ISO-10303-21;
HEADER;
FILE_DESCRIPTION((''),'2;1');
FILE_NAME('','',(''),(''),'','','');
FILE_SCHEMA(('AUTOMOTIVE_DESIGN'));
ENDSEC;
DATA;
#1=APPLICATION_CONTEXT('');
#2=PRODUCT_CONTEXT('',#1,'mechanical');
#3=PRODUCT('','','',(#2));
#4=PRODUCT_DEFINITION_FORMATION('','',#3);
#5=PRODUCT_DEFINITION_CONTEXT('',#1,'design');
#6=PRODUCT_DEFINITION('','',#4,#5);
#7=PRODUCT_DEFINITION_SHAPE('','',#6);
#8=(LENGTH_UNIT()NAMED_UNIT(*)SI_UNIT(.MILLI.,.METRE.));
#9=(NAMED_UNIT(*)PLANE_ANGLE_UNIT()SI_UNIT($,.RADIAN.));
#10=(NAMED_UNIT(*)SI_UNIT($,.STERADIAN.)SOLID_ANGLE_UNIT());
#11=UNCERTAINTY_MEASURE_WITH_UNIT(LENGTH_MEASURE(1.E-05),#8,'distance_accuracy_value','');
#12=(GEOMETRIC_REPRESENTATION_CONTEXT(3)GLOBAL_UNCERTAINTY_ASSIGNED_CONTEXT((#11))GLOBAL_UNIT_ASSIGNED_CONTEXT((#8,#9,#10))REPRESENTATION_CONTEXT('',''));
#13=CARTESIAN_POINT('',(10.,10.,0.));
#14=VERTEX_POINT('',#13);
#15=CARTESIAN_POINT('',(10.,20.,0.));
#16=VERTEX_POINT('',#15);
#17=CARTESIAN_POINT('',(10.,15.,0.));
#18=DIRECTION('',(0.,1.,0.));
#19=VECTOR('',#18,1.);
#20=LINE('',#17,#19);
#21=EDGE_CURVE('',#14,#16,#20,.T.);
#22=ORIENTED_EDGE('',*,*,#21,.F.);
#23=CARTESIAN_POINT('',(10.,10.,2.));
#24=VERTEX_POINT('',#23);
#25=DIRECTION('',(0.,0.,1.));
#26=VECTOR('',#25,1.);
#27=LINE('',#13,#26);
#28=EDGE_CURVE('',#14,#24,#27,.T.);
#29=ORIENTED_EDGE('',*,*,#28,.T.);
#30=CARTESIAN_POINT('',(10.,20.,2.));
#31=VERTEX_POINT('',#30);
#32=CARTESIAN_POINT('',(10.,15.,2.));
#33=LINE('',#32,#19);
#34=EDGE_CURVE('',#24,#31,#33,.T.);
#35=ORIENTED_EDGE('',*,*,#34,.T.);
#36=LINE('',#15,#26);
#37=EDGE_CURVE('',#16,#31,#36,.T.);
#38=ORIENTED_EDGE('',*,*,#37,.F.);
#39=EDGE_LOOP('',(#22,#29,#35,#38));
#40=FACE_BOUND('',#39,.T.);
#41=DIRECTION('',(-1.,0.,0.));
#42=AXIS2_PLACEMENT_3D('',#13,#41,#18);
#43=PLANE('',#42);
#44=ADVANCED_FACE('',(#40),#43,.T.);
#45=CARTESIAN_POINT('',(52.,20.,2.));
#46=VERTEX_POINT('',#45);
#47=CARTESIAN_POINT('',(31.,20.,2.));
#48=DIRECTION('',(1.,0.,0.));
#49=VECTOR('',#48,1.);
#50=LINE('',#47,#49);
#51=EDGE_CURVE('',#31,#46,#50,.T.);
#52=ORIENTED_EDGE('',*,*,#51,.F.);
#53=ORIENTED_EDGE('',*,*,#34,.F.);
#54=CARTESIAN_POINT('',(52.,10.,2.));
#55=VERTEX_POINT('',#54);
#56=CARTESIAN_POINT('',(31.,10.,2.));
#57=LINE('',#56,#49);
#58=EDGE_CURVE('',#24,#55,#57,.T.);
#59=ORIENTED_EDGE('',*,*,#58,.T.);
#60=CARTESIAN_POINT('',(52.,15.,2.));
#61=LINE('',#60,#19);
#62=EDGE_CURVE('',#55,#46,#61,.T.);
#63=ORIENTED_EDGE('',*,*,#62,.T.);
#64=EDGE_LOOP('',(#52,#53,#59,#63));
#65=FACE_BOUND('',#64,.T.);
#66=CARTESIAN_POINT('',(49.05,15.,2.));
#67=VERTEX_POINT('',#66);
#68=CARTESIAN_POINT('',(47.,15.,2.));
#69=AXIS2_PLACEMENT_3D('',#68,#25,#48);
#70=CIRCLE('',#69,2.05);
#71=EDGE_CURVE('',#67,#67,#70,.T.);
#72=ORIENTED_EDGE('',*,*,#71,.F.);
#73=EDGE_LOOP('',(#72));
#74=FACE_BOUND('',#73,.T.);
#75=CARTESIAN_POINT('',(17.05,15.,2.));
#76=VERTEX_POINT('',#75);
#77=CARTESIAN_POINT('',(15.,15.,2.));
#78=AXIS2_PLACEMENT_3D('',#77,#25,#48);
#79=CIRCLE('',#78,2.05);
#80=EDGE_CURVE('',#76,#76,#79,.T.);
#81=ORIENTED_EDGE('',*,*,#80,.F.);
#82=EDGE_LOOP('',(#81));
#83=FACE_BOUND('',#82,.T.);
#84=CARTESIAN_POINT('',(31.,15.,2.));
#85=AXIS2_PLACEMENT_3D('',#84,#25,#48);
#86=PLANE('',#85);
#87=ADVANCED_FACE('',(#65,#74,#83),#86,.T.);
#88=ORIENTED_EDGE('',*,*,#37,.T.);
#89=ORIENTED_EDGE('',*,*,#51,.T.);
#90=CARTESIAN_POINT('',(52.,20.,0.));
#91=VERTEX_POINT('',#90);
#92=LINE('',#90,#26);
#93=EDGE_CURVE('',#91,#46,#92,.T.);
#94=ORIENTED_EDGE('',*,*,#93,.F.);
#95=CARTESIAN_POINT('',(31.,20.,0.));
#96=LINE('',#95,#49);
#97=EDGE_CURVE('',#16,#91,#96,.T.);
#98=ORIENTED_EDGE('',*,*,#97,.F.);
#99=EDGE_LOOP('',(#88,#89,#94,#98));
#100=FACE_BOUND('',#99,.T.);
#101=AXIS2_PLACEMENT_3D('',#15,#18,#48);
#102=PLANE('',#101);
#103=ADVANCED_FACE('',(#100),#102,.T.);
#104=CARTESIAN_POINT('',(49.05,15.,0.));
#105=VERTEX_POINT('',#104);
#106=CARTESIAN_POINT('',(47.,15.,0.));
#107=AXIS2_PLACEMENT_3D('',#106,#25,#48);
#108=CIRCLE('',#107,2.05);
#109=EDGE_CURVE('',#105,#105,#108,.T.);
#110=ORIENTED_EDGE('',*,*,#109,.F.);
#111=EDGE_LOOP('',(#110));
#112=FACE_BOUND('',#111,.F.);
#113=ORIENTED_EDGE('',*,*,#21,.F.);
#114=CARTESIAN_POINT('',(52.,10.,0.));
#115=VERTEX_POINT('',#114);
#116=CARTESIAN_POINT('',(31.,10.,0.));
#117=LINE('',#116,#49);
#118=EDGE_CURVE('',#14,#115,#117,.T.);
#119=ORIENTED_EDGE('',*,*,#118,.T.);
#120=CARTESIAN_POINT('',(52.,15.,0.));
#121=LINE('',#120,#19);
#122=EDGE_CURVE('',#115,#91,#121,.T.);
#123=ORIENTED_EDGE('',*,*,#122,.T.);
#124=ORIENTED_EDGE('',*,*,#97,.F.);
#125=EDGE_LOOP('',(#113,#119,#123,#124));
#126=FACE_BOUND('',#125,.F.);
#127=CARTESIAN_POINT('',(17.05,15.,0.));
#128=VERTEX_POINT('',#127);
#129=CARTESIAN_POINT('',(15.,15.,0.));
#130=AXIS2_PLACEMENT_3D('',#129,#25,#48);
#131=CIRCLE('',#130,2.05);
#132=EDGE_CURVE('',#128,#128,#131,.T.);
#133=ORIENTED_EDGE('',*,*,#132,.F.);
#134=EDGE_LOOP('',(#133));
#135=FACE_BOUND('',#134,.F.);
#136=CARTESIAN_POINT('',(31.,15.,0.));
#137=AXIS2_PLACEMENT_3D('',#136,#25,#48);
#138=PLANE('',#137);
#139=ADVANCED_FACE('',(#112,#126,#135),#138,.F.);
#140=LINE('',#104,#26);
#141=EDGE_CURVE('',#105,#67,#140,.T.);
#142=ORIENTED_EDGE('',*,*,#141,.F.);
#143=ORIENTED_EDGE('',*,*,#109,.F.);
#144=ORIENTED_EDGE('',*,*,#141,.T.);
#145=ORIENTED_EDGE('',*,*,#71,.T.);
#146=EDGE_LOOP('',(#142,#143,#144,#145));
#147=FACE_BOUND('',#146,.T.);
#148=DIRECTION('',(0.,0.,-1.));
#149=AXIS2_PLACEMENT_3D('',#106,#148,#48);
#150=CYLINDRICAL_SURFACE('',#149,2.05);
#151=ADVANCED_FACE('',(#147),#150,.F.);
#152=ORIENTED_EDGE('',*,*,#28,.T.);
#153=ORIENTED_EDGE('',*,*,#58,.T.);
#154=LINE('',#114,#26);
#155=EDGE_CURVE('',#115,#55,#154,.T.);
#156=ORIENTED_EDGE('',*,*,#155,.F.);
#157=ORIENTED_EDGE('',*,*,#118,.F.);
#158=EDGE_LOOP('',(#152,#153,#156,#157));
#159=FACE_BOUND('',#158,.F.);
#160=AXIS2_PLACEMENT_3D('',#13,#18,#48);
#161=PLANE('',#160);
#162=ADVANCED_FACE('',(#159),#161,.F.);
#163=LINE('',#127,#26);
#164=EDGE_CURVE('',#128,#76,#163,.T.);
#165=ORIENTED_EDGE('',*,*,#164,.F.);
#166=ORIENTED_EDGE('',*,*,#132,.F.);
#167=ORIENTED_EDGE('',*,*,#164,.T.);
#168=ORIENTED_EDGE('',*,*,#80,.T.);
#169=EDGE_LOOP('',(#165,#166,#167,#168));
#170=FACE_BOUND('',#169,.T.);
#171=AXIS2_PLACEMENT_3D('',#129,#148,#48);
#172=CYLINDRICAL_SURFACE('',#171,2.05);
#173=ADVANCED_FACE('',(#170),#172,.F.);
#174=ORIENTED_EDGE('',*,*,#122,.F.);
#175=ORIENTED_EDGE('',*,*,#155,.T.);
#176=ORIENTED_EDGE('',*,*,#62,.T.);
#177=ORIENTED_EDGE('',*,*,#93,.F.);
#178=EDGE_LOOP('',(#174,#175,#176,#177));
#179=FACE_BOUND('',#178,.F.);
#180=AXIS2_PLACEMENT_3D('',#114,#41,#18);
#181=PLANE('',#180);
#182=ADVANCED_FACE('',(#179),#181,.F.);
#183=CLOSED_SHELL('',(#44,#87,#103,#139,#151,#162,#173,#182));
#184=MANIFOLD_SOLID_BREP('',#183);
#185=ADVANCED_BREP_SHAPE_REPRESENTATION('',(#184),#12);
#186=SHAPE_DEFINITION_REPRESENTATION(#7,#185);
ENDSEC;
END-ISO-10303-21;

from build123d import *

# Parameters (mm, degrees)
SKETCH004_W  = 42
SKETCH004_H  = 10
SKETCH004_R  = 2.05
PAD002_DEPTH = 2


with BuildPart() as part:
    # Sketch004 (on DatumPlane) → Pad002 (new body)
    with BuildSketch(Plane.XY):
        with Locations((31, 15)):
            Rectangle(SKETCH004_W, SKETCH004_H)
        with Locations((15, 15)):
            Circle(SKETCH004_R, mode=Mode.SUBTRACT)
        with Locations((47, 15)):
            Circle(SKETCH004_R, mode=Mode.SUBTRACT)
    extrude(amount=PAD002_DEPTH)


solid = part.part
